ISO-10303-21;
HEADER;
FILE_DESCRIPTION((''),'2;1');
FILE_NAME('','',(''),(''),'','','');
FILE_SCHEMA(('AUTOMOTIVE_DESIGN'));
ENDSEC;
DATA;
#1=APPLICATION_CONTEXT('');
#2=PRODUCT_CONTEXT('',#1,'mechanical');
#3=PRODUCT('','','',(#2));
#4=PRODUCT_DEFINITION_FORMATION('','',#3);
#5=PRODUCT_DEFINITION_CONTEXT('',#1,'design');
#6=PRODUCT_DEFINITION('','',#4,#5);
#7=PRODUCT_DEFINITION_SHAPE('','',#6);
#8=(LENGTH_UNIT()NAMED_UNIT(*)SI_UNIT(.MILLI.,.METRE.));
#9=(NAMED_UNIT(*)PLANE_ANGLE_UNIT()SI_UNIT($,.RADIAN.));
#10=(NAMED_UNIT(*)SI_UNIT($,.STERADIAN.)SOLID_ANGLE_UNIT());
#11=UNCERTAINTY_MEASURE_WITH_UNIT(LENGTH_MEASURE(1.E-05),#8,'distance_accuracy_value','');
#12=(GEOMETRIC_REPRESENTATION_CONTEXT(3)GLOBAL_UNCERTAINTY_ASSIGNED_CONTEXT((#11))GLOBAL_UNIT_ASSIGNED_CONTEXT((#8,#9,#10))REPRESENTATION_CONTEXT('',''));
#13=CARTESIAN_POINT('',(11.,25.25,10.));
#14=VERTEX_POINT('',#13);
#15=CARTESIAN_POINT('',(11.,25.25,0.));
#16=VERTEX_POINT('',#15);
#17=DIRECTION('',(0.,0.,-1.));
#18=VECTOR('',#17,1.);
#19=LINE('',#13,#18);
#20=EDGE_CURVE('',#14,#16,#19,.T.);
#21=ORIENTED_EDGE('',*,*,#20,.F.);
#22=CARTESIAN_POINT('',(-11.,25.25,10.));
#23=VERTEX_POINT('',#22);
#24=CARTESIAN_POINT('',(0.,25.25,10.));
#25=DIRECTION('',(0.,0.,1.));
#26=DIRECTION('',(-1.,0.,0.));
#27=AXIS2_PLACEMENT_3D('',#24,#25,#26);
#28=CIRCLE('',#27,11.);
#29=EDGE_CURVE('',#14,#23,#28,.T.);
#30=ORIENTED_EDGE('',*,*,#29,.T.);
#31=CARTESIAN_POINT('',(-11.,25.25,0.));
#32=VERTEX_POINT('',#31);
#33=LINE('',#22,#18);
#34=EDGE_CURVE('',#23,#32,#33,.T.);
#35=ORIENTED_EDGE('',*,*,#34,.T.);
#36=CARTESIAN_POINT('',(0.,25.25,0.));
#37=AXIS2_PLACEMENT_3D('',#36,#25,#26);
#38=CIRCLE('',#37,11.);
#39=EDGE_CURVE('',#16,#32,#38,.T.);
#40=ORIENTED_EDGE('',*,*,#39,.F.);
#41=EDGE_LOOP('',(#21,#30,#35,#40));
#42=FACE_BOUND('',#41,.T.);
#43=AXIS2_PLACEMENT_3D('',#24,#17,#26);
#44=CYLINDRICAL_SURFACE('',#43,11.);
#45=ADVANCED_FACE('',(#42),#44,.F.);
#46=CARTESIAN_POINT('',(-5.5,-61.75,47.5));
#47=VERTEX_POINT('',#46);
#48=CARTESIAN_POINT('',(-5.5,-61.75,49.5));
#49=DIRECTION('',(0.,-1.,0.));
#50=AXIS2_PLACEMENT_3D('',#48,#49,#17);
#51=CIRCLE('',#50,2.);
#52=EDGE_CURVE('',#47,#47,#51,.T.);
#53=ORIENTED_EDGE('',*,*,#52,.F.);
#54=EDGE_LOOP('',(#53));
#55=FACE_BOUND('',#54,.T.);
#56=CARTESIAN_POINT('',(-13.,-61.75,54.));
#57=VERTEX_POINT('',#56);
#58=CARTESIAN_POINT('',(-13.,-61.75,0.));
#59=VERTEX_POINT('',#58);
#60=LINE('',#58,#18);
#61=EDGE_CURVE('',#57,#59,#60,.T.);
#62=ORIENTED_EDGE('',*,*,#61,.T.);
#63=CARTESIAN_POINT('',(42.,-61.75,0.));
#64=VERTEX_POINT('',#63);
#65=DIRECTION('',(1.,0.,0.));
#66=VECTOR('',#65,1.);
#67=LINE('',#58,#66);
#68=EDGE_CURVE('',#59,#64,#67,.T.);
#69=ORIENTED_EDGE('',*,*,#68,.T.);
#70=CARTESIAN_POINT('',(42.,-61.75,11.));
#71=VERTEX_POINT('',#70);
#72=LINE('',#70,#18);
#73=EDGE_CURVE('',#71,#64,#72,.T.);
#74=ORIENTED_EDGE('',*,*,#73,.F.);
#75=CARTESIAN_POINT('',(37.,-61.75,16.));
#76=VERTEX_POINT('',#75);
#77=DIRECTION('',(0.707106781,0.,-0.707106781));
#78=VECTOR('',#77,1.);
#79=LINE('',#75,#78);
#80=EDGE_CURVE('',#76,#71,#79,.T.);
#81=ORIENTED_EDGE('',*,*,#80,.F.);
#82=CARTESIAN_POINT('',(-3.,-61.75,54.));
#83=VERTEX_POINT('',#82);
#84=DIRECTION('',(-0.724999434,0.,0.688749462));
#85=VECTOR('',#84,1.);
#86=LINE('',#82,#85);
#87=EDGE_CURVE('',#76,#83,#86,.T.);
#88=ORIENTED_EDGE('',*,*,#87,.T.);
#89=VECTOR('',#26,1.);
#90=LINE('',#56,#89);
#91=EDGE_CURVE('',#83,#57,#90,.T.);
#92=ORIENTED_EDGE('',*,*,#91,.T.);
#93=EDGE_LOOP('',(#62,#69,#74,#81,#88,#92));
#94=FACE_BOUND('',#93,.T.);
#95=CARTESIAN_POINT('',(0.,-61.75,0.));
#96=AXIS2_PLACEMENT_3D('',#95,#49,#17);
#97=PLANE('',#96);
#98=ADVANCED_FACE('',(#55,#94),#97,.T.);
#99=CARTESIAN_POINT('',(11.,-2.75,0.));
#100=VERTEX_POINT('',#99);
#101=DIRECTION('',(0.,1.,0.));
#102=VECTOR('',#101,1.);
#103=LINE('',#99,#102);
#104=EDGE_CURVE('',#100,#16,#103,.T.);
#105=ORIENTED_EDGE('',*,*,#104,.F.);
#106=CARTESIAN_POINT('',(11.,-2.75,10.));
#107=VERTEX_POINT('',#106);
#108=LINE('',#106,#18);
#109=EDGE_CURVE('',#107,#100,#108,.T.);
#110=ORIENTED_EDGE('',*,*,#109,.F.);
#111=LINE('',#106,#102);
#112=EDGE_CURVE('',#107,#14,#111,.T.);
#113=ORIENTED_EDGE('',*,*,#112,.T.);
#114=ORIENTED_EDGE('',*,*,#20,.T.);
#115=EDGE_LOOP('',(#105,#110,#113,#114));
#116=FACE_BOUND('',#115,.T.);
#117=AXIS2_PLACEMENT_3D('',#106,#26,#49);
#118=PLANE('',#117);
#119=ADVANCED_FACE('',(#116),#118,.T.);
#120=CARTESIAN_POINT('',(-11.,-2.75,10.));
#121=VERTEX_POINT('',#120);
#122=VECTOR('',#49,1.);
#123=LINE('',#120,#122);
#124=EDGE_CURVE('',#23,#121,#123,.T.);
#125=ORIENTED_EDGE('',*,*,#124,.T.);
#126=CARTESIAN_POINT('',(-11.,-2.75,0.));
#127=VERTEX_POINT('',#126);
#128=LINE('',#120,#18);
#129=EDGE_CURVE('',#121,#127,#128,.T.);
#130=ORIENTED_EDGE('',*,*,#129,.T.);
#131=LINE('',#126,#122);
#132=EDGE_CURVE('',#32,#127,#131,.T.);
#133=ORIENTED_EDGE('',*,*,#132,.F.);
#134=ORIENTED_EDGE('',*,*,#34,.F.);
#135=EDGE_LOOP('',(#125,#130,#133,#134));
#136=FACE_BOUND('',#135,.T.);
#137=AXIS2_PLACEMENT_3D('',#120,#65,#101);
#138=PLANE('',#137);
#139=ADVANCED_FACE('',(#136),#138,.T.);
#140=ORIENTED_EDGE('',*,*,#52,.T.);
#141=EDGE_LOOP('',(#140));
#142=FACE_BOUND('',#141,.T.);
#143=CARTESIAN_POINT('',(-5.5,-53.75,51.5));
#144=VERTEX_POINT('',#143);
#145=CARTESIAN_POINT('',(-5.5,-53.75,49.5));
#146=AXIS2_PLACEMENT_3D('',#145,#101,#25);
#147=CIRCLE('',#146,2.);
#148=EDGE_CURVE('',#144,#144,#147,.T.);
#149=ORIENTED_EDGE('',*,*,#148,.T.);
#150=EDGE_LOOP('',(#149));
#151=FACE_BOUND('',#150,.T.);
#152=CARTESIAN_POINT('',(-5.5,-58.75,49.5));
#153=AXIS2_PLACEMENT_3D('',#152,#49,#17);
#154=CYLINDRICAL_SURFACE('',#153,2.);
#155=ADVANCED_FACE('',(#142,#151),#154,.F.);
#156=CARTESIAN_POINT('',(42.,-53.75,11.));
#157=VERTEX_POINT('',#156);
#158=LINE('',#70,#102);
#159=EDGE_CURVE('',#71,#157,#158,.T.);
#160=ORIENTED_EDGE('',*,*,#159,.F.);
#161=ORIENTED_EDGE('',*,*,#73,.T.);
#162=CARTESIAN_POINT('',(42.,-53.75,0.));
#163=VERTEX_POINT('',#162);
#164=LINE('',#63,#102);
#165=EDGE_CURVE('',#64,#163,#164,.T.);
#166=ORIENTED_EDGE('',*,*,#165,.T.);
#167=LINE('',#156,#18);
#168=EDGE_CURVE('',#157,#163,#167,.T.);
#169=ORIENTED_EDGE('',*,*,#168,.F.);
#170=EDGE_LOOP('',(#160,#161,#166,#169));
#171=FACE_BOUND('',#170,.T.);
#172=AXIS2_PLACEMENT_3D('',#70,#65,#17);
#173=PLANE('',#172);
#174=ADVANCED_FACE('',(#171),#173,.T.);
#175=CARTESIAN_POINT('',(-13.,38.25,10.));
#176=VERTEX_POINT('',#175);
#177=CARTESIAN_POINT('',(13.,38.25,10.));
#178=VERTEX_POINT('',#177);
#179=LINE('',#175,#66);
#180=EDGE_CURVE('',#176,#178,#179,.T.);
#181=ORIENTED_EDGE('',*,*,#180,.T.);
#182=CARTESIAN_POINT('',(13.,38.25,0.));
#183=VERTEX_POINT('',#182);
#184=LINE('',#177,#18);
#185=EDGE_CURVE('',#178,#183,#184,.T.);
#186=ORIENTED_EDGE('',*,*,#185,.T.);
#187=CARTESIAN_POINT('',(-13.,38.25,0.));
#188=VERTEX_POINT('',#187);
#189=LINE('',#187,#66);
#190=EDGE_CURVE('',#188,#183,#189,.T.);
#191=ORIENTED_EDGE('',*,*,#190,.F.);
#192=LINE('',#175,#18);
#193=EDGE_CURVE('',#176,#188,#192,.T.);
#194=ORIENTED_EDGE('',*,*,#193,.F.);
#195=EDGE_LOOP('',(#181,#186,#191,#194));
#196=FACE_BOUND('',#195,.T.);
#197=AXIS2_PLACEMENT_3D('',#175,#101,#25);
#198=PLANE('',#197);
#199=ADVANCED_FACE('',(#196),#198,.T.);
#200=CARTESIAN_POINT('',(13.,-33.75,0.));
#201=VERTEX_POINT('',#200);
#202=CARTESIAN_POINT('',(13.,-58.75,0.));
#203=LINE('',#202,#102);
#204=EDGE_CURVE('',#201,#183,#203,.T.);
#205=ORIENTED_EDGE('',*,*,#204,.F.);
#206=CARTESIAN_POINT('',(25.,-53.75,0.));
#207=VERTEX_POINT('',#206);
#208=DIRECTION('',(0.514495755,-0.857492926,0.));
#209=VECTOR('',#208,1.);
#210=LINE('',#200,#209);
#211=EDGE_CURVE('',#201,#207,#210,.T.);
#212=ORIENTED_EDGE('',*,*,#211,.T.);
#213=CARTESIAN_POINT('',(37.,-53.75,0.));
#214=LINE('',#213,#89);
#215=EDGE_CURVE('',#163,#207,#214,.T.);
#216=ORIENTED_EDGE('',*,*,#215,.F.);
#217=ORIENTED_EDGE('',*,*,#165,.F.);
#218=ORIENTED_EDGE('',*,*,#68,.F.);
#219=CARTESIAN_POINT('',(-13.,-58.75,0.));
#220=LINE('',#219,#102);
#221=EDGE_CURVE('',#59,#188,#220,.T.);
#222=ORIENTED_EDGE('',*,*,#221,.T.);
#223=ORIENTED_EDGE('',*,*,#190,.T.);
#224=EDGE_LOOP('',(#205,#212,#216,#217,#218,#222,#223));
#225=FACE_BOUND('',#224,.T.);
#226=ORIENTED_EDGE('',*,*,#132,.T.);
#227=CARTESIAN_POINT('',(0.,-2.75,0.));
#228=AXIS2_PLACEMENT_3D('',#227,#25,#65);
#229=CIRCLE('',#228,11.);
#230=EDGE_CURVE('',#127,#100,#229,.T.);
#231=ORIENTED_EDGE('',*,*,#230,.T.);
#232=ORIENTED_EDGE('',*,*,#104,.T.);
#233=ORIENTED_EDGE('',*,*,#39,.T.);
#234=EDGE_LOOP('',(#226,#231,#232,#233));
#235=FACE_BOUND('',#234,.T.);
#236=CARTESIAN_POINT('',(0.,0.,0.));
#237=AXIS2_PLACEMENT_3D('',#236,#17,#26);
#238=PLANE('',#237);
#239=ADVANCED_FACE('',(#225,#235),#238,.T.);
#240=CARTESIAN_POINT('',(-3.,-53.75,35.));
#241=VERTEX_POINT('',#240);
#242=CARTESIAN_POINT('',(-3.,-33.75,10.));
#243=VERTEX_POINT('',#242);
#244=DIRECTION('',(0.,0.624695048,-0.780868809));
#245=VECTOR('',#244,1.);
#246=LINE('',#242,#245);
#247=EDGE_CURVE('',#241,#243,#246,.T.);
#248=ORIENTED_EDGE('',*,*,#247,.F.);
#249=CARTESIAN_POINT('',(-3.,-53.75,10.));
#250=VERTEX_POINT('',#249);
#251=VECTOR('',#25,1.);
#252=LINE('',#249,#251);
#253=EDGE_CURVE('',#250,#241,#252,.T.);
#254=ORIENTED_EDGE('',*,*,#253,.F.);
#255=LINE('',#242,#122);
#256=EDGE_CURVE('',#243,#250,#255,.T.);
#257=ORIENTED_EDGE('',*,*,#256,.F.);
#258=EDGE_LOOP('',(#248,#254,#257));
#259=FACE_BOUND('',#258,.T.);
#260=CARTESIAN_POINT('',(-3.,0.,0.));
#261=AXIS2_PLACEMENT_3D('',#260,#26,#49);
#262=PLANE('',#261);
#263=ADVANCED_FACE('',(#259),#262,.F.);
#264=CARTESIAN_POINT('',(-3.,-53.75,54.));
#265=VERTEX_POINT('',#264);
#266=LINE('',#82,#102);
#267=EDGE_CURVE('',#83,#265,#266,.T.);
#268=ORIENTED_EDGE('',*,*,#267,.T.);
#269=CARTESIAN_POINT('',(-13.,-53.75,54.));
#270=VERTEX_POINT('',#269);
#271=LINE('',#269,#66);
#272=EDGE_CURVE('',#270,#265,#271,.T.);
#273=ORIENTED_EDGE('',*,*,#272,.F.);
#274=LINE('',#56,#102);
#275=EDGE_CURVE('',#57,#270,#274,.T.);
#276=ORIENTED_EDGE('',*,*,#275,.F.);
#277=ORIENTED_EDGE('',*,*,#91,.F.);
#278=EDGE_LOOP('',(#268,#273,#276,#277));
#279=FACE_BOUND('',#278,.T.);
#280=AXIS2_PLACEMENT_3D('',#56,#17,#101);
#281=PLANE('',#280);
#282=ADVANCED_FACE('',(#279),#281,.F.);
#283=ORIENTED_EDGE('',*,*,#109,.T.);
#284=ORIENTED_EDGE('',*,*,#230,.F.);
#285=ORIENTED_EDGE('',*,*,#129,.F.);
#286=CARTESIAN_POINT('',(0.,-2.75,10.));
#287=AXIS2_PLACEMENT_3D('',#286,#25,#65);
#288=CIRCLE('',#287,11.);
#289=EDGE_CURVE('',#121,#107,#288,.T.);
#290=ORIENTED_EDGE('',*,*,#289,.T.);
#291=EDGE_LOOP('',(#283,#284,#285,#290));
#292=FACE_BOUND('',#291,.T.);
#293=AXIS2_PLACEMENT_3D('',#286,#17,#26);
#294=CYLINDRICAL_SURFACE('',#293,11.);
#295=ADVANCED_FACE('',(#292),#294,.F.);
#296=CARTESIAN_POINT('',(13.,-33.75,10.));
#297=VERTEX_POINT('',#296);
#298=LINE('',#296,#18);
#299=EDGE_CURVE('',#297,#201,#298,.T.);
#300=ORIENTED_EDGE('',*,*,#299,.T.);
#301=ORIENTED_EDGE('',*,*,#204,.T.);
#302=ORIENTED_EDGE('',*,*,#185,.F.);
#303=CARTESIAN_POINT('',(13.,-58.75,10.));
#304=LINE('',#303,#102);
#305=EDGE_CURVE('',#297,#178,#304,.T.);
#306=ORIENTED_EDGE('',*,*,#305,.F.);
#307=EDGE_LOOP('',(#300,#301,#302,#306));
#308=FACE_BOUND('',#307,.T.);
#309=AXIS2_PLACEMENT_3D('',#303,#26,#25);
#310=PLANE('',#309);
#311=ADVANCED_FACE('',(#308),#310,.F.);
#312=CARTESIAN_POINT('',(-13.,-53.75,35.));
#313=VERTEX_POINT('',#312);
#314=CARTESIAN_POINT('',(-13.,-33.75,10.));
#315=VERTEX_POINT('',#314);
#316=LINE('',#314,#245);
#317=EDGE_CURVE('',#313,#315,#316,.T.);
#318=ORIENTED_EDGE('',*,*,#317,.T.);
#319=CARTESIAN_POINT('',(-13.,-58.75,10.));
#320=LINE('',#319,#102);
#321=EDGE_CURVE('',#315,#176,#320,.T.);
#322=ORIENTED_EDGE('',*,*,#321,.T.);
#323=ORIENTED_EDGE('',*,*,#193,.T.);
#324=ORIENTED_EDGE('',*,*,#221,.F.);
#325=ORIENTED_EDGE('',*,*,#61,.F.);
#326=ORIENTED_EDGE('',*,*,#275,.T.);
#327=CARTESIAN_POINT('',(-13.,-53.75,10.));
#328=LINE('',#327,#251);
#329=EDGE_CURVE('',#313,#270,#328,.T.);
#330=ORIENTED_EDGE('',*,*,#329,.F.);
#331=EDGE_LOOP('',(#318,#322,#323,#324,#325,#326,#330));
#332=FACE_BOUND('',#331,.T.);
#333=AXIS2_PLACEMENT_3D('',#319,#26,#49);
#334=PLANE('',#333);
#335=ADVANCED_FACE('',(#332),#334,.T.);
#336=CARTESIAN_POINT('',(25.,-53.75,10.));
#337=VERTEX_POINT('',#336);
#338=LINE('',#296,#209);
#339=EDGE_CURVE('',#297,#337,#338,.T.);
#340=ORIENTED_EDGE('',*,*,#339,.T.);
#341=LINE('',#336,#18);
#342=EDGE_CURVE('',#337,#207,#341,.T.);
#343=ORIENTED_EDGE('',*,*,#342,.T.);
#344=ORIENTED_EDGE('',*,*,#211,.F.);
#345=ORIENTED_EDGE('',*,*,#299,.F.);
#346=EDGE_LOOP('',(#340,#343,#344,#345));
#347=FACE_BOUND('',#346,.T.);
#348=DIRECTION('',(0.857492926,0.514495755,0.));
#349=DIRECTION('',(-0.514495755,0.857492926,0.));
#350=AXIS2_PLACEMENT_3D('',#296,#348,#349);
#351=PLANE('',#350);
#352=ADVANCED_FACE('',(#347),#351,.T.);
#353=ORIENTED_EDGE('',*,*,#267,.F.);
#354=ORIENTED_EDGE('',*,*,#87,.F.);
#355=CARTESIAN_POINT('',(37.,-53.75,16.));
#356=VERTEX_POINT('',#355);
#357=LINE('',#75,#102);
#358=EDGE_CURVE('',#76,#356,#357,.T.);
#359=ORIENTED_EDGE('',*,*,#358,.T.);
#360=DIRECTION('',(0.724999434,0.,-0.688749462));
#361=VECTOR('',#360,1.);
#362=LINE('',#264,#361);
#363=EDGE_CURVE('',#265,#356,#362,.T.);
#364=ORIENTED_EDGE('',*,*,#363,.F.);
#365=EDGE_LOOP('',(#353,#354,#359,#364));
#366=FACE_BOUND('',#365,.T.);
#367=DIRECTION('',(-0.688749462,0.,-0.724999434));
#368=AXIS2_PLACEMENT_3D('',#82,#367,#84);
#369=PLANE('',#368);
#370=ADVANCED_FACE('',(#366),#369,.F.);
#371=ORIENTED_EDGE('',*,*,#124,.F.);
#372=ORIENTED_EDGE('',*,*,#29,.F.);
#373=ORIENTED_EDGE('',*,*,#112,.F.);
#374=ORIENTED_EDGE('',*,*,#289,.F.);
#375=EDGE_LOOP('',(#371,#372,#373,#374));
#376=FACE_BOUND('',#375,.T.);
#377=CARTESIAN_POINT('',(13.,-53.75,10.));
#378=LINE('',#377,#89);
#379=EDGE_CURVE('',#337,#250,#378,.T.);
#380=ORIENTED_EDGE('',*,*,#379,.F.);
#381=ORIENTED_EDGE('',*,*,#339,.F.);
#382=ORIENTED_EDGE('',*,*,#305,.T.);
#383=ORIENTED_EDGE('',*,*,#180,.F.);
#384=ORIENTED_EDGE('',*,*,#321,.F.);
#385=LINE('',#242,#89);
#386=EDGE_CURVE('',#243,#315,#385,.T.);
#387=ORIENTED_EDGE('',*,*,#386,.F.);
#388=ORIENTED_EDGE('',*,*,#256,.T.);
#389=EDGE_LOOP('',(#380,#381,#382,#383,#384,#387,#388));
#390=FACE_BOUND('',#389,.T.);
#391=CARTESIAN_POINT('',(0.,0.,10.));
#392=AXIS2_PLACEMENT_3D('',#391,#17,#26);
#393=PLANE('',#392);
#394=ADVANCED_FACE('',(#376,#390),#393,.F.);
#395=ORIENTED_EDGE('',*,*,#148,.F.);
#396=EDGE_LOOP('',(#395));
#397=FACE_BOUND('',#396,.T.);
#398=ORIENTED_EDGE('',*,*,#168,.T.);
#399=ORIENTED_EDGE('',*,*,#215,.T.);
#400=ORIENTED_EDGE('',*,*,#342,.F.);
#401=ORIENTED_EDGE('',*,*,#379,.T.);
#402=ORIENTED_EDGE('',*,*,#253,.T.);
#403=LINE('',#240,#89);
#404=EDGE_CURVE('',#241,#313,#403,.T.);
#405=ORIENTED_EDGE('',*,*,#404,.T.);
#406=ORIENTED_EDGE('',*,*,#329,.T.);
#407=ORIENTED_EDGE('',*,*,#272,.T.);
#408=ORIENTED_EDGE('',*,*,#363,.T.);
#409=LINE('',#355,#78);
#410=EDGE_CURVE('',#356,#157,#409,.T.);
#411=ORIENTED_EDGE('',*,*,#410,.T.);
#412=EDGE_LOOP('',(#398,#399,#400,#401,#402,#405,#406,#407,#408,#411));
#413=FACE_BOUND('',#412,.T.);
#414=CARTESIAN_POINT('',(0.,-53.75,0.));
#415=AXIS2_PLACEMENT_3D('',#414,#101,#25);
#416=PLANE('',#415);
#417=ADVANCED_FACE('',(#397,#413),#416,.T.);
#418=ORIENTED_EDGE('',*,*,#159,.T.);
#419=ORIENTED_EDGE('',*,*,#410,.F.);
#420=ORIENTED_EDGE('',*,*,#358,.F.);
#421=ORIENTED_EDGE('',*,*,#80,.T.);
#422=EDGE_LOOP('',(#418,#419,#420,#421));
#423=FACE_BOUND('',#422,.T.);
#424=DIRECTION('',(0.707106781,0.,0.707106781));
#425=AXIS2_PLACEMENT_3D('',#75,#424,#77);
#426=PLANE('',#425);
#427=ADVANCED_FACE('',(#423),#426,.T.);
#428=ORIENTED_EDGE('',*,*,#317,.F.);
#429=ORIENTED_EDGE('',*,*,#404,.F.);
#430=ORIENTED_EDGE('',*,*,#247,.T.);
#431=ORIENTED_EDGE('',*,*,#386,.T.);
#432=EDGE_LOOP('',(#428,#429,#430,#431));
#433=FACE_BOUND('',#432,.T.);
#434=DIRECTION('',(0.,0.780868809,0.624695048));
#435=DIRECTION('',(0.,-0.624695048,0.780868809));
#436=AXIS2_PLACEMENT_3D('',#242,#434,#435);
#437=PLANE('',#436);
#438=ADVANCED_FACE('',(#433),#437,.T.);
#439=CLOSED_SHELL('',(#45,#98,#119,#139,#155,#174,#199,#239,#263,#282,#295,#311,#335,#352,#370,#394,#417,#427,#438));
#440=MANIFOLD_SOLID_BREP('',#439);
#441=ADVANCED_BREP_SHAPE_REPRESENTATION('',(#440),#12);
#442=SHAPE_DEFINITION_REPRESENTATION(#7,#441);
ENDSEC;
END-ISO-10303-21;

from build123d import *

# Parameters (mm, degrees)
SKETCH_2_W           = 26
SKETCH_2_H           = 97
EXTRUDE_1_DEPTH      = 10
CUT_EXTRUDE_11_DEPTH = 10
EXTRUDE_2_DEPTH      = 3
SKETCH_8_R           = 2
CUT_EXTRUDE_12_DEPTH = 3
EXTRUDE_3_DEPTH      = 5
CUT_EXTRUDE_START    = -10
SKETCH_10_R          = 2
CUT_EXTRUDE_13_DEPTH = 10
EXTRUDE_4_DEPTH      = 10
EXTRUDE_5_DEPTH      = 10
EXTRUDE_6_DEPTH      = 8


with BuildPart() as part:
    # 草图2 → 凸台-拉伸1 (new body)
    with BuildSketch(Plane.XY):
        with Locations((0, -10.25)):
            Rectangle(SKETCH_2_W, SKETCH_2_H)
    extrude(amount=EXTRUDE_1_DEPTH)

    # 草图3 → 切除-拉伸11 (cut)
    with BuildSketch(Plane.XY):
        with BuildLine():
            Line((-11, -2.75), (-11, 25.25))
            ThreePointArc((-11, 25.25), (0, 36.25), (11, 25.25))
            Line((11, 25.25), (11, -2.75))
            ThreePointArc((11, -2.75), (0, -13.75), (-11, -2.75))
        make_face()
    extrude(amount=CUT_EXTRUDE_11_DEPTH, mode=Mode.SUBTRACT)

    # 草图4 → 凸台-拉伸2 (add)
    with BuildSketch(Plane.XZ.offset(58.75)):
        Polygon((-13, 0), (37, 0), (37, 16), (-3, 54), (-13, 54), align=None)
    extrude(amount=EXTRUDE_2_DEPTH)

    # 草图8 → 切除-拉伸12 (cut)
    with BuildSketch(Plane.XZ.offset(61.75)):
        with Locations(Location((-5.5, 49.5, 0), (0, 0, 270))):
            Circle(SKETCH_8_R)
    extrude(amount=-CUT_EXTRUDE_12_DEPTH, mode=Mode.SUBTRACT)

    # 草图9 → 凸台-拉伸3 (add)
    with BuildSketch(Plane(origin=(0, -58.75, 0), x_dir=(1, 0, 0), z_dir=(0, 1, 0))):
        Polygon((-13, -10), (-13, -54), (-3, -54), (37, -16), (37, 0), (13, 0), (13, -10), align=None)
    extrude(amount=EXTRUDE_3_DEPTH)

    # 草图10 → 切除-拉伸13 (cut)
    with BuildSketch(Plane(origin=(0, -53.75, 0), x_dir=(1, 0, 0), z_dir=(0, 1, 0)).offset(CUT_EXTRUDE_START)):
        with Locations(Location((-5.5, -49.5, 0), (0, 0, 90))):
            Circle(SKETCH_10_R)
    extrude(amount=CUT_EXTRUDE_13_DEPTH, mode=Mode.SUBTRACT)

    # 草图11 → 凸台-拉伸4 (add)
    with BuildSketch(Plane(origin=(0, 0, 0), x_dir=(-1, 0, 0), z_dir=(0, 0, -1))):
        Polygon((-13, -33.75), (-13, -53.75), (-25, -53.75), align=None)
    extrude(amount=-EXTRUDE_4_DEPTH)

    # 草图12 → 凸台-拉伸5 (add)
    with BuildSketch(Plane.ZY.offset(13)):
        Polygon((10, -53.75), (35, -53.75), (10, -33.75), align=None)
    extrude(amount=-EXTRUDE_5_DEPTH)

    # 草图13 → 凸台-拉伸6 (add)
    with BuildSketch(Plane(origin=(0, -53.75, 0), x_dir=(1, 0, 0), z_dir=(0, 1, 0))):
        Polygon((37, 0), (42, 0), (42, -11), (37, -16), align=None)
    extrude(amount=-EXTRUDE_6_DEPTH)


solid = part.part
